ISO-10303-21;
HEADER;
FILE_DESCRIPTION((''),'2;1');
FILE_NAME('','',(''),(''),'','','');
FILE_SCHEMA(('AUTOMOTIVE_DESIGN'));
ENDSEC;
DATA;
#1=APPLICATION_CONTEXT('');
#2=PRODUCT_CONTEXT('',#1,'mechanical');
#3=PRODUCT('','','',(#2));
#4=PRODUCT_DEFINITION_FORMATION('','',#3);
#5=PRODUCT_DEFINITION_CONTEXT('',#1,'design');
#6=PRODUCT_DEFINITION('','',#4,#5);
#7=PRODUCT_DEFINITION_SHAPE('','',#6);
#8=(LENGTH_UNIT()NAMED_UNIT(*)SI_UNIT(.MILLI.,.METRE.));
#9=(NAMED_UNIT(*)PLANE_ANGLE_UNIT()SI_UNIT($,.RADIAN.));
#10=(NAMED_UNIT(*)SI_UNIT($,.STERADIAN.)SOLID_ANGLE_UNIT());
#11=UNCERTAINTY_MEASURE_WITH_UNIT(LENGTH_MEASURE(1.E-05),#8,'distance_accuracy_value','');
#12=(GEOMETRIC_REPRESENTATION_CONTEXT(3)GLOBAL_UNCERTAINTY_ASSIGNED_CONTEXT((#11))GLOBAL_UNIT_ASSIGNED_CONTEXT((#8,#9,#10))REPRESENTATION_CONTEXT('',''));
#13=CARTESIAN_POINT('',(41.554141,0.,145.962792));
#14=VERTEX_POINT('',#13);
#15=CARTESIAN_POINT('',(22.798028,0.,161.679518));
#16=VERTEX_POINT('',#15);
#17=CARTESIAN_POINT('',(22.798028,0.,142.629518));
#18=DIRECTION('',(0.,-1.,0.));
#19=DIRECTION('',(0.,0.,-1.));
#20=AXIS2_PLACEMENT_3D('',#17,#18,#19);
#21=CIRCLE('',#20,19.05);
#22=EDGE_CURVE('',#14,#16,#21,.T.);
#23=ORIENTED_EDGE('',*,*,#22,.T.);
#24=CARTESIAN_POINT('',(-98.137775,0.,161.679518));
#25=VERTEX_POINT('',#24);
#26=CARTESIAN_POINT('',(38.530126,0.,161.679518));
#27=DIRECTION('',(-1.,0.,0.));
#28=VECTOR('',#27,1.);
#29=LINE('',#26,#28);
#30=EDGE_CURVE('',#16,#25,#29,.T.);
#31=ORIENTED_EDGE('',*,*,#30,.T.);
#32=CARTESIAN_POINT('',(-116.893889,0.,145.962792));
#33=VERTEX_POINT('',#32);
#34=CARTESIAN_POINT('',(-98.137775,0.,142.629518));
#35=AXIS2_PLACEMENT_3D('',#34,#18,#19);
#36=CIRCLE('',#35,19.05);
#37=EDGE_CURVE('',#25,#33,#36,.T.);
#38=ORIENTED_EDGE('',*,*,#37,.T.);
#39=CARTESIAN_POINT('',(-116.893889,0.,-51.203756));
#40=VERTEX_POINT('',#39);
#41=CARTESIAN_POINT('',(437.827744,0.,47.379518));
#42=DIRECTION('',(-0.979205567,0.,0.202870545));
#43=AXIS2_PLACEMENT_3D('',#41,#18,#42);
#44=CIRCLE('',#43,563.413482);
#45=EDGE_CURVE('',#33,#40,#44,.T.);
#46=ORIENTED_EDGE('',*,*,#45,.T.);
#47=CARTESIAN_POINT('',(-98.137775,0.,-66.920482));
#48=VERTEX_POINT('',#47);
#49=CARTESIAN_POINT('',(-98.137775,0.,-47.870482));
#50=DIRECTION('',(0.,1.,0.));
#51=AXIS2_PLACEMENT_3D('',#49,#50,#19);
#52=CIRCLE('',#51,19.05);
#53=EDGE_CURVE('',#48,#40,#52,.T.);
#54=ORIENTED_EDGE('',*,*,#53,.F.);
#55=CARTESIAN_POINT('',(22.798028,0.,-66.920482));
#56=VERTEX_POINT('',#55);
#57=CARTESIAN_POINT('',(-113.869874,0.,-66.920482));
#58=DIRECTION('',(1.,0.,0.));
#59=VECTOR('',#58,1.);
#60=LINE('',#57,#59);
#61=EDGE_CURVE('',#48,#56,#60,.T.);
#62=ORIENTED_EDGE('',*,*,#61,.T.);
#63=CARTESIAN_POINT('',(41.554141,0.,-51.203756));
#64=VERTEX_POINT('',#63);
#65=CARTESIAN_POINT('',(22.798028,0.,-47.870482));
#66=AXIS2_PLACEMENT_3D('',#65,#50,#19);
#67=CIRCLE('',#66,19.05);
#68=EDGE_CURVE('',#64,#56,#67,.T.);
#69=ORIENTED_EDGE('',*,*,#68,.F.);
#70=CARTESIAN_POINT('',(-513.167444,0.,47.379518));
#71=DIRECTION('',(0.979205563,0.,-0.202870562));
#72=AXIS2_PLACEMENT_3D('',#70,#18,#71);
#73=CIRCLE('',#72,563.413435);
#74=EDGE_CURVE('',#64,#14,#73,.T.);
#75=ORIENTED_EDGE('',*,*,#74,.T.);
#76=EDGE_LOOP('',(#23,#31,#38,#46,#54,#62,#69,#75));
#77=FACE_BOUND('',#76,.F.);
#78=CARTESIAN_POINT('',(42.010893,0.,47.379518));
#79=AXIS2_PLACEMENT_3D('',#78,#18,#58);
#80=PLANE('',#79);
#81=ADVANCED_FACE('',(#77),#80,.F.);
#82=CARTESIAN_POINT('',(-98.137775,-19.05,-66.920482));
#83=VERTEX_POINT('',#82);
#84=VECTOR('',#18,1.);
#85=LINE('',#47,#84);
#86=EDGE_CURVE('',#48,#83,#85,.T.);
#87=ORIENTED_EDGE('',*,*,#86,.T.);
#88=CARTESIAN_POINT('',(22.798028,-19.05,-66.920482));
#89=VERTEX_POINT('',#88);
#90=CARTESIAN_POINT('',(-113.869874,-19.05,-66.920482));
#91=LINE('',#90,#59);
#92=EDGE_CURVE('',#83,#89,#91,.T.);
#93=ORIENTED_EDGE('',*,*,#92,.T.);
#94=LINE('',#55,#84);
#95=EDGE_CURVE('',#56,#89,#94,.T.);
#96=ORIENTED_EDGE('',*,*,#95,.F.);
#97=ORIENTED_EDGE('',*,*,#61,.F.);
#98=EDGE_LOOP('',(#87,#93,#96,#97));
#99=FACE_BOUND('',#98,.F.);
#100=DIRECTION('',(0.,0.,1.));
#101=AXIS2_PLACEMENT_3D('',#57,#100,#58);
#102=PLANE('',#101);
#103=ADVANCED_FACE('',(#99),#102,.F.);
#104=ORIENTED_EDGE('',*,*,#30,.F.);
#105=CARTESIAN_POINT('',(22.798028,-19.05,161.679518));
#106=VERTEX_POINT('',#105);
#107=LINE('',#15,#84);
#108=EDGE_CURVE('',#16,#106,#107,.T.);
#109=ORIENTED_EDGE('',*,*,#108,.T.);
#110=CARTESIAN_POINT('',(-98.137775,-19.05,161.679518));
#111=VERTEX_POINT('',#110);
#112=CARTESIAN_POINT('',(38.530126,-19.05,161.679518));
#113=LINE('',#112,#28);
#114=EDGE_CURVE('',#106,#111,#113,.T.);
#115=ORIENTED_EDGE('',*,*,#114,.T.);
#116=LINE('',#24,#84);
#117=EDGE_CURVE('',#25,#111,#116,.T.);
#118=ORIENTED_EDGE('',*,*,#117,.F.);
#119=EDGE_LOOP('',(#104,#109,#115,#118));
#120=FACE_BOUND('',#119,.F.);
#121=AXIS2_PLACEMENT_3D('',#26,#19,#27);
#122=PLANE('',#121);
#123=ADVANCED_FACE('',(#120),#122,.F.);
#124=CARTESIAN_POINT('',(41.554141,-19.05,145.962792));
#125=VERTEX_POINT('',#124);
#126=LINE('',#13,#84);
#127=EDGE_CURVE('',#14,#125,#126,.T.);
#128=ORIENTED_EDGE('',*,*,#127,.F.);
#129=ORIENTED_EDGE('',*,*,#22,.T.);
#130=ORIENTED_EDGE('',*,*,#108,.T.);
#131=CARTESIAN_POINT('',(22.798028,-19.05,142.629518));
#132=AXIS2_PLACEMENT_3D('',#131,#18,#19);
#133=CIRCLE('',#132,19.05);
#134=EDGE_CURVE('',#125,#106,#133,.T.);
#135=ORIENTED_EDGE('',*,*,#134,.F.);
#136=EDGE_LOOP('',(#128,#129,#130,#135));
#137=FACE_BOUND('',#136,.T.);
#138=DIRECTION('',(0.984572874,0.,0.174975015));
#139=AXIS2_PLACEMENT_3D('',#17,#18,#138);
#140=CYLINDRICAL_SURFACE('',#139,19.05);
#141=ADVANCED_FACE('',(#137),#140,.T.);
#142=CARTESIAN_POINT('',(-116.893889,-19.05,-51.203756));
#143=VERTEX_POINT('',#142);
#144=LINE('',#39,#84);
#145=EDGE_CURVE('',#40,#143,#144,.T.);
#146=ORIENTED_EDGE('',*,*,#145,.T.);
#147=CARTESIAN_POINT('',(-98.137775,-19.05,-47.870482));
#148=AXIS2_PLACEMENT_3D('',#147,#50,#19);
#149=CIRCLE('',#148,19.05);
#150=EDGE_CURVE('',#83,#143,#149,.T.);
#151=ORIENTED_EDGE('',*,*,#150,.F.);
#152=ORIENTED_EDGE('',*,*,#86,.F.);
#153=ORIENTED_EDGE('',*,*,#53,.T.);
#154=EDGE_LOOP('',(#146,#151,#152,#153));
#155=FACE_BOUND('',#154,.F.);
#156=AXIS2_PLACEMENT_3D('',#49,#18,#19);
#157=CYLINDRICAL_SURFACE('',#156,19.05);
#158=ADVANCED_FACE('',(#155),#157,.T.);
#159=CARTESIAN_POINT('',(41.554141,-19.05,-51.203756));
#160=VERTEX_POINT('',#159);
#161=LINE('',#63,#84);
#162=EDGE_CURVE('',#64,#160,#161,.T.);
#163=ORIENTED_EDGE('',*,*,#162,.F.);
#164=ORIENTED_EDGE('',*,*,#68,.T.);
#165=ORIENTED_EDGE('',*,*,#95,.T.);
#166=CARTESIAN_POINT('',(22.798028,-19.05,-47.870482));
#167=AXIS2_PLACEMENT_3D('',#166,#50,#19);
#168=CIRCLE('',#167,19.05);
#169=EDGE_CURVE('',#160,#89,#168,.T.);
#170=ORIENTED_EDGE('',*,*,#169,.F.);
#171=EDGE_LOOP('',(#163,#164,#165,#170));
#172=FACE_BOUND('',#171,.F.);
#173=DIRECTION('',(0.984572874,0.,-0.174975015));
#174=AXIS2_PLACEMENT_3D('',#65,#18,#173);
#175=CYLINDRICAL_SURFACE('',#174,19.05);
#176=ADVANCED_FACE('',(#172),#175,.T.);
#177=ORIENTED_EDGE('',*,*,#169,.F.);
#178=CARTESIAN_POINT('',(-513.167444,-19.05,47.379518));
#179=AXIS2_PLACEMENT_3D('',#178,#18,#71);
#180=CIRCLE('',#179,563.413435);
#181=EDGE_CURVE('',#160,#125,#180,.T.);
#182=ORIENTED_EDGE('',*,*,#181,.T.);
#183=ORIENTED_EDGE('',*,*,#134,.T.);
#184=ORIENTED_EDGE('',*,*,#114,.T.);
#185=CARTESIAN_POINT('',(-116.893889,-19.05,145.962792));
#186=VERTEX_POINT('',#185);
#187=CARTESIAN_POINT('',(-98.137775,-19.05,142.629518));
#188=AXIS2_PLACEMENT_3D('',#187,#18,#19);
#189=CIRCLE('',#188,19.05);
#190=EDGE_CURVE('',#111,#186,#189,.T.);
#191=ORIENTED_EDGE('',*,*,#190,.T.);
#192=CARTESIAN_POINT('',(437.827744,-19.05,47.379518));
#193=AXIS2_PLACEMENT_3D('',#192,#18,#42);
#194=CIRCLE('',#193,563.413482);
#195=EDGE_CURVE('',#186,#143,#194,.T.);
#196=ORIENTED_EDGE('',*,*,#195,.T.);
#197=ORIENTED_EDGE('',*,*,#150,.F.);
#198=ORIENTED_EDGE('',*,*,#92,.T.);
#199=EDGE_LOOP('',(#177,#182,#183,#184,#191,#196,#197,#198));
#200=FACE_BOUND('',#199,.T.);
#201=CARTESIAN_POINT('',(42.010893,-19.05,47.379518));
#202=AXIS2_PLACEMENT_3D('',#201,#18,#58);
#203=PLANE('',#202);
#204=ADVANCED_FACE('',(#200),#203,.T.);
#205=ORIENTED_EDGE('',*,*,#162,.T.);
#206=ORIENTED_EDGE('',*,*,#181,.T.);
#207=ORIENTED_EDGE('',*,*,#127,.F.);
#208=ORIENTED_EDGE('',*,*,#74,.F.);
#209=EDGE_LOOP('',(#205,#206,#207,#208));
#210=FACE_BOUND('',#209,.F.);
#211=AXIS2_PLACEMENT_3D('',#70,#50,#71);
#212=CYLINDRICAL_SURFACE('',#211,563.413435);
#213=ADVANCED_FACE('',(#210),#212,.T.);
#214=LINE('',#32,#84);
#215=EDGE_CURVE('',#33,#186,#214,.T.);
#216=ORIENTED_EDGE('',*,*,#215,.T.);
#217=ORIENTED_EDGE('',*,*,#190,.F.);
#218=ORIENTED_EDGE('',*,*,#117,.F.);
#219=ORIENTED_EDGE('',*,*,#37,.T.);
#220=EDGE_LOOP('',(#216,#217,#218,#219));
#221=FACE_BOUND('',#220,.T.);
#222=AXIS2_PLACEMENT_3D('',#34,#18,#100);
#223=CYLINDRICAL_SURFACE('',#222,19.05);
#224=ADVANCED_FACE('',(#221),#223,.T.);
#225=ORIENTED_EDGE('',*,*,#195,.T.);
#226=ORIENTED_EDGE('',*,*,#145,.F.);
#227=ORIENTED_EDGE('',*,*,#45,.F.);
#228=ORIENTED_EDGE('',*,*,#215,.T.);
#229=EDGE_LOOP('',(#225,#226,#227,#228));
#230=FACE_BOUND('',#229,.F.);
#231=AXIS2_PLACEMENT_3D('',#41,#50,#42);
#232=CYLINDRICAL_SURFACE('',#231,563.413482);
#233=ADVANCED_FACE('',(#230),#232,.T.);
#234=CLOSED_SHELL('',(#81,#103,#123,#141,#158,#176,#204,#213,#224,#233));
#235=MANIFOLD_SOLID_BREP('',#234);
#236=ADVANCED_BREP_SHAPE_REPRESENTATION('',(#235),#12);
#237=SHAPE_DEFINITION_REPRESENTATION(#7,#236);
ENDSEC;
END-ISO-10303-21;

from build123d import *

# Parameters (mm, degrees)
F1_DEPTH = 19.05
F2_DEPTH = 19.05
F3_DEPTH = 19.05
F4_R     = 19.05


with BuildPart() as f1:
    # F0 (on Front) → F1 (new body)
    with BuildSketch(Plane.XZ):
        Polygon((-92.987883, 161.679518), (-113.869874, 161.679518), (-113.869874, -66.920482), (-99.337883, -66.920482), (-92.987883, -66.920482), (-81.616402, -66.920482), (-75.266402, -66.920482), (38.530126, -66.920482), (38.530126, 161.679518), (-81.616402, 161.679518), align=None)
    extrude(amount=F1_DEPTH)

    # F0 (on Front) → F2 (join)
    with BuildSketch(Plane.XZ):
        with BuildLine():
            Line((-113.869874, -66.920482), (-113.869874, 161.679518))
            ThreePointArc((-113.869874, 161.679518), (-125.585738, 47.379518), (-113.869874, -66.920482))
        make_face()
    extrude(amount=F2_DEPTH)

    # F0 (on Front) → F3 (join)
    with BuildSketch(Plane.XZ):
        with BuildLine():
            ThreePointArc((38.530126, -66.920482), (50.245991, 47.379518), (38.530126, 161.679518))
            Line((38.530126, 161.679518), (38.530126, -66.920482))
        make_face()
    extrude(amount=F3_DEPTH)

    # F4
    f4_edges = [f1.edges().sort_by_distance(p)[0] for p in [
        (-113.869874, -9.525, 161.679518),
        (38.530126, -9.525, 161.679518),
        (38.530126, -9.525, -66.920482),
        (-113.869874, -9.525, -66.920482),
    ]]
    fillet(f4_edges, radius=F4_R)


solid = f1.part
